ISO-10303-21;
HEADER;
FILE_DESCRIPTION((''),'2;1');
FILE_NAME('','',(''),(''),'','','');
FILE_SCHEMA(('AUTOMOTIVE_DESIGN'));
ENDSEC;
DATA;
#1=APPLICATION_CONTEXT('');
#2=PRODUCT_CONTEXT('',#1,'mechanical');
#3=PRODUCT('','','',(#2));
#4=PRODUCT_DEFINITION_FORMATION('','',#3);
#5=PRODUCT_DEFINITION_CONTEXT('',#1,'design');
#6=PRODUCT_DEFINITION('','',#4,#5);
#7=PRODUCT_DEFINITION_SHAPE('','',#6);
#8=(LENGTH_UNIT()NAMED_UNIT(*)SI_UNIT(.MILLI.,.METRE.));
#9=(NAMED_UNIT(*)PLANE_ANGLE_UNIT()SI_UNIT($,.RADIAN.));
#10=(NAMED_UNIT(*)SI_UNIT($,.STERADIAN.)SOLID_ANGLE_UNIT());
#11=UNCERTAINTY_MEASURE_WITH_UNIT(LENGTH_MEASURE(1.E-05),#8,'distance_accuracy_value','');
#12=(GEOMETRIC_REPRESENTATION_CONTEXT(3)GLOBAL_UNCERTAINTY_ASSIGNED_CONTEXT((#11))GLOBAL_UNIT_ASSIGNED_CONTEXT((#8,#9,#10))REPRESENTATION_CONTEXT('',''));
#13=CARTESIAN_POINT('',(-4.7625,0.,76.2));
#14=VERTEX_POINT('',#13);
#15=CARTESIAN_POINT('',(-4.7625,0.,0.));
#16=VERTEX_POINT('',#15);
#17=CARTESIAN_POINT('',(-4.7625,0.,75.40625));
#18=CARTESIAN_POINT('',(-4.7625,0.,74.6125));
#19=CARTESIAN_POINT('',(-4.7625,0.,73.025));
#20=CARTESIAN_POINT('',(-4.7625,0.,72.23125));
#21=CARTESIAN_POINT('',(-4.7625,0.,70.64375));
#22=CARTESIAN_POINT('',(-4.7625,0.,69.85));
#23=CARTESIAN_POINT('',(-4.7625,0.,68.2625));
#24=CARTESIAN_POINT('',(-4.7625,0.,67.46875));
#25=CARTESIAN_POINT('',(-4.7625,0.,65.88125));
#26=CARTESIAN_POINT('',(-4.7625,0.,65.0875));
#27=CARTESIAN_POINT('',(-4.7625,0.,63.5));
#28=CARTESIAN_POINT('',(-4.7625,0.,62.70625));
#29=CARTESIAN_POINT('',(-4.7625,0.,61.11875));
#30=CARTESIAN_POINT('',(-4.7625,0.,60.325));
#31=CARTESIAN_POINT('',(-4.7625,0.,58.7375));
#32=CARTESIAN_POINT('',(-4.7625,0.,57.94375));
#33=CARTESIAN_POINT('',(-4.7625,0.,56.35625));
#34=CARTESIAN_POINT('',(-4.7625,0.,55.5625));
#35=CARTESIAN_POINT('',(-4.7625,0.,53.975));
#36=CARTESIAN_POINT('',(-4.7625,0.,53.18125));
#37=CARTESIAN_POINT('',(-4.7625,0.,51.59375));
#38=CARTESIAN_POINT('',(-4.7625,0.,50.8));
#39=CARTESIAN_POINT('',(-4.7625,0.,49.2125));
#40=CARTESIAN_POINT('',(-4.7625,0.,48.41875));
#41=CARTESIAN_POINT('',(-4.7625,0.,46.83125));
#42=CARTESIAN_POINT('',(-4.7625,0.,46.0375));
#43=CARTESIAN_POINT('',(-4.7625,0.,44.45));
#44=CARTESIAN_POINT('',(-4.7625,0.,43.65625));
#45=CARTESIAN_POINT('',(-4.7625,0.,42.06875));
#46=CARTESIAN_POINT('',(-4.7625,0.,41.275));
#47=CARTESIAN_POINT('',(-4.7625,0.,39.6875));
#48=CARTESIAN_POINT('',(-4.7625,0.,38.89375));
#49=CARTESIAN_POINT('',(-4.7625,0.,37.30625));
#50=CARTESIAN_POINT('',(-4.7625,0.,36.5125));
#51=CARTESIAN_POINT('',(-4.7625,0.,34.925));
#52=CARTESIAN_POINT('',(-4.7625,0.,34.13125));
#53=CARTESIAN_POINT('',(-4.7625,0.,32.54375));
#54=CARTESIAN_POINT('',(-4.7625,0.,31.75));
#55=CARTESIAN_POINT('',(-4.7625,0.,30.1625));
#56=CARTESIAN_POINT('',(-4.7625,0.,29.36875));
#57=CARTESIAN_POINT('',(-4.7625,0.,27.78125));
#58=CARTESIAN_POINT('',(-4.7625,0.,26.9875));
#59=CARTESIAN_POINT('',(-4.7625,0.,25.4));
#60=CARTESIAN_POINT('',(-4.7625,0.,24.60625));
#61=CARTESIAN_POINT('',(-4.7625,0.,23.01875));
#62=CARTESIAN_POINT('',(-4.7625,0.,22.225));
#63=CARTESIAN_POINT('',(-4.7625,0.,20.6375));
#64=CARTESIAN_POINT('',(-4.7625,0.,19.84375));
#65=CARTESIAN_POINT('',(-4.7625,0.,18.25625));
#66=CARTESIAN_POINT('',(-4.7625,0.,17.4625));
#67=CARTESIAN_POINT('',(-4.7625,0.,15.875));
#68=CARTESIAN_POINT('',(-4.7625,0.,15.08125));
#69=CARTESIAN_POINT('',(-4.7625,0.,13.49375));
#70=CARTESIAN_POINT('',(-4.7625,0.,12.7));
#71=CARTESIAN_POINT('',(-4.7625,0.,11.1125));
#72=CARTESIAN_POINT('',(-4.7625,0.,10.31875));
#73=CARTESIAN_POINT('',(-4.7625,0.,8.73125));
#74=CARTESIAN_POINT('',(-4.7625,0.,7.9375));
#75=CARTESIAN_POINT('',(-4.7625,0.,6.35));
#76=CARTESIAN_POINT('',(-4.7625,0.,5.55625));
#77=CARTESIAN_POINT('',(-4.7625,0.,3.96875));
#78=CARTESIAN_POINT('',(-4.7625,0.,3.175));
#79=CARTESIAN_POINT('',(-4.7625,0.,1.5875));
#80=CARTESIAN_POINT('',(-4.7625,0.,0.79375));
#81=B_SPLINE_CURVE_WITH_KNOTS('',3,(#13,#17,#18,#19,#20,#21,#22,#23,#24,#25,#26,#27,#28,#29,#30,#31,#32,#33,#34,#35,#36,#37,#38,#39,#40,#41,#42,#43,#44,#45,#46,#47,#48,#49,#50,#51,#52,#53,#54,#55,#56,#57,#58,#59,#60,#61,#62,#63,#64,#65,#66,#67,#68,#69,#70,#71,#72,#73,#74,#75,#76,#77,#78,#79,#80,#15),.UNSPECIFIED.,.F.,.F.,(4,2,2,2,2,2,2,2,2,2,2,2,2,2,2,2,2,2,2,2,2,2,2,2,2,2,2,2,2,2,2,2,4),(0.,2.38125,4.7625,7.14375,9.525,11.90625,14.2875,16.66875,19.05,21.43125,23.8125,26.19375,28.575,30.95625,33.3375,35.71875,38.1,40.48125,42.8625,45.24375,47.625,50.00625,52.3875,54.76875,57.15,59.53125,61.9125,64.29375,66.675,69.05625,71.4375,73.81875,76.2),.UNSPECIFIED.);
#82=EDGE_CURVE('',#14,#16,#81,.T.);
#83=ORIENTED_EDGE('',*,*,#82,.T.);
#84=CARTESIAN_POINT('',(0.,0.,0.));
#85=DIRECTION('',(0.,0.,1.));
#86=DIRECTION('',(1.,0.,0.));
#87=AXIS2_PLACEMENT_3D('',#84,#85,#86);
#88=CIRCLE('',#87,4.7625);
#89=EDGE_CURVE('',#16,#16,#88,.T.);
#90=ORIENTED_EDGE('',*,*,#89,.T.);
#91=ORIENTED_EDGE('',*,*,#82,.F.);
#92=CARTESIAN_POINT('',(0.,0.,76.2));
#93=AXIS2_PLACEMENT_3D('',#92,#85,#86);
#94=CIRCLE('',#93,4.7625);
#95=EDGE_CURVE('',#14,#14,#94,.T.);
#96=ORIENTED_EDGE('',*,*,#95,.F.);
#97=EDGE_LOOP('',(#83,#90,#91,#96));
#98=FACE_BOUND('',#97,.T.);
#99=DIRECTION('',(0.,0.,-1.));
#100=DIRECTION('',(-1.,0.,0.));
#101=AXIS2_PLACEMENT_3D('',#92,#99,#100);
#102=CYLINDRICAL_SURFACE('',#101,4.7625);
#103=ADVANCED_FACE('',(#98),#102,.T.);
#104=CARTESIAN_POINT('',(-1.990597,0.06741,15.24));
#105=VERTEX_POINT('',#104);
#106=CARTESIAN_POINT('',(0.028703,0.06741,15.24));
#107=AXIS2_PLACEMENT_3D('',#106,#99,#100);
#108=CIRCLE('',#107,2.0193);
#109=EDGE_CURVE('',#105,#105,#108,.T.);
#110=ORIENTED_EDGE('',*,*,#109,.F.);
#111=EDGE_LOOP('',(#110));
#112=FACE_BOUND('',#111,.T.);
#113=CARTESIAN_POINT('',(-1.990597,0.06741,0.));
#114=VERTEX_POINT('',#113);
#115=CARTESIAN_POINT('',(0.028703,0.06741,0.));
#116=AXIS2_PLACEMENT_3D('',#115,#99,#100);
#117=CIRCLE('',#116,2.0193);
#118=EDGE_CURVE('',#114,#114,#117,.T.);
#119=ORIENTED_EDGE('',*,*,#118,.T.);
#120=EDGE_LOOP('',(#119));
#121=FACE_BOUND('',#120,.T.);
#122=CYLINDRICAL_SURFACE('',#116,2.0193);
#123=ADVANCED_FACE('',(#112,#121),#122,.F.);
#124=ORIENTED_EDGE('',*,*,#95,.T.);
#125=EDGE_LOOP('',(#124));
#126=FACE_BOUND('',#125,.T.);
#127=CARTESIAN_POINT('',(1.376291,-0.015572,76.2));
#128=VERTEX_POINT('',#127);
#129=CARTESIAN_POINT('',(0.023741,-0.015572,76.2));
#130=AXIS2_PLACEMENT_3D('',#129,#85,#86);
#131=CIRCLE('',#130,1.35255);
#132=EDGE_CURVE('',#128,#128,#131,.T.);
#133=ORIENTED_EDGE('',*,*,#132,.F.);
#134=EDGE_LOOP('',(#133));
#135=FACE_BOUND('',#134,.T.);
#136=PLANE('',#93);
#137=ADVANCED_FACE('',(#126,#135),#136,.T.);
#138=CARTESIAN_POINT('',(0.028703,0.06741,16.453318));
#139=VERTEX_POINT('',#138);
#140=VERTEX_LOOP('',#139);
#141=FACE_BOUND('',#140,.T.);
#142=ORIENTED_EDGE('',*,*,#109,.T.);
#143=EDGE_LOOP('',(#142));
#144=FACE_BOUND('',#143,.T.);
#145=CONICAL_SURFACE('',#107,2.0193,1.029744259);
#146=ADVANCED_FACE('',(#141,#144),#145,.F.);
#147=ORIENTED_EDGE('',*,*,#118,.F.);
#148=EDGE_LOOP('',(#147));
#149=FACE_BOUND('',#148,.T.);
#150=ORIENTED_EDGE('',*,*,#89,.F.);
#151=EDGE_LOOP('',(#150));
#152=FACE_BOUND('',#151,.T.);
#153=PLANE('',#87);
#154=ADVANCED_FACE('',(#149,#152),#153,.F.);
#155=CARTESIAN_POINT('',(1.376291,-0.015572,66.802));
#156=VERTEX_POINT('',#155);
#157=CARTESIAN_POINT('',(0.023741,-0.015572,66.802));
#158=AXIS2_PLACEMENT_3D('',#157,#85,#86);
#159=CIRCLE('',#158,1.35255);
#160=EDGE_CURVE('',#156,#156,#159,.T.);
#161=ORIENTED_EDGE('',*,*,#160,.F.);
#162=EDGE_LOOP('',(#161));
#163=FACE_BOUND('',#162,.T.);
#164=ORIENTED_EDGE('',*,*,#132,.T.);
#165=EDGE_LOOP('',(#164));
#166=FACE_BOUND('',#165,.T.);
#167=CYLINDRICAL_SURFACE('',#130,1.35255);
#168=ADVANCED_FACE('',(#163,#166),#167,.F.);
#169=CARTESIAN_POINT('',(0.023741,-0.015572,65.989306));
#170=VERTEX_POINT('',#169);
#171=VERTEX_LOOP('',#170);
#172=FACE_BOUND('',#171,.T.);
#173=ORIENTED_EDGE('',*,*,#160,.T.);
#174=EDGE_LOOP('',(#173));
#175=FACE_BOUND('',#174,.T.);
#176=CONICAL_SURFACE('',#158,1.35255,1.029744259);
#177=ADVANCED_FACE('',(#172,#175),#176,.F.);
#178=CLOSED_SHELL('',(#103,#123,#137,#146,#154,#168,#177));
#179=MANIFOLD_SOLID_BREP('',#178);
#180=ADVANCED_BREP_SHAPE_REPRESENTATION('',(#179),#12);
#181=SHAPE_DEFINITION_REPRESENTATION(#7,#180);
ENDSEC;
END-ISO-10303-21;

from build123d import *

# Parameters (mm, degrees)
SKETCH2_R                  = 4.7625
BOSS_EXTRUDE1_DEPTH        = 76.2
F_10_32_TAPPED_HOLE1_D     = 4.0386
F_10_32_TAPPED_HOLE1_DEPTH = 15.24
F_10_32_TAPPED_HOLE1_TIP   = 1.213317848
F_6_32_TAPPED_HOLE1_D      = 2.7051
F_6_32_TAPPED_HOLE1_DEPTH  = 9.398
F_6_32_TAPPED_HOLE1_TIP    = 0.81269403


with BuildPart() as part:
    # Sketch2 → Boss-Extrude1 (new body)
    with BuildSketch(Plane.XY):
        with Locations(Location((0, 0, 0), (0, 0, 180))):
            Circle(SKETCH2_R)
    extrude(amount=BOSS_EXTRUDE1_DEPTH)

    # #10-32 Tapped Hole1
    with Locations(Plane(origin=(0, 0, 0), x_dir=(-1, 0, 0), z_dir=(0, 0, -1))):
        with Locations((-0.028702786, 0.067410108)):
            Hole(F_10_32_TAPPED_HOLE1_D / 2, depth=F_10_32_TAPPED_HOLE1_DEPTH)
            with Locations((0, 0, -(F_10_32_TAPPED_HOLE1_DEPTH + F_10_32_TAPPED_HOLE1_TIP / 2))):  # 118° drill point
                Cone(0, F_10_32_TAPPED_HOLE1_D / 2, F_10_32_TAPPED_HOLE1_TIP, mode=Mode.SUBTRACT)

    # #6-32 Tapped Hole1
    with Locations(Plane.XY.offset(76.2)):
        with Locations((0.02374074, -0.015572073)):
            Hole(F_6_32_TAPPED_HOLE1_D / 2, depth=F_6_32_TAPPED_HOLE1_DEPTH)
            with Locations((0, 0, -(F_6_32_TAPPED_HOLE1_DEPTH + F_6_32_TAPPED_HOLE1_TIP / 2))):  # 118° drill point
                Cone(0, F_6_32_TAPPED_HOLE1_D / 2, F_6_32_TAPPED_HOLE1_TIP, mode=Mode.SUBTRACT)


solid = part.part
